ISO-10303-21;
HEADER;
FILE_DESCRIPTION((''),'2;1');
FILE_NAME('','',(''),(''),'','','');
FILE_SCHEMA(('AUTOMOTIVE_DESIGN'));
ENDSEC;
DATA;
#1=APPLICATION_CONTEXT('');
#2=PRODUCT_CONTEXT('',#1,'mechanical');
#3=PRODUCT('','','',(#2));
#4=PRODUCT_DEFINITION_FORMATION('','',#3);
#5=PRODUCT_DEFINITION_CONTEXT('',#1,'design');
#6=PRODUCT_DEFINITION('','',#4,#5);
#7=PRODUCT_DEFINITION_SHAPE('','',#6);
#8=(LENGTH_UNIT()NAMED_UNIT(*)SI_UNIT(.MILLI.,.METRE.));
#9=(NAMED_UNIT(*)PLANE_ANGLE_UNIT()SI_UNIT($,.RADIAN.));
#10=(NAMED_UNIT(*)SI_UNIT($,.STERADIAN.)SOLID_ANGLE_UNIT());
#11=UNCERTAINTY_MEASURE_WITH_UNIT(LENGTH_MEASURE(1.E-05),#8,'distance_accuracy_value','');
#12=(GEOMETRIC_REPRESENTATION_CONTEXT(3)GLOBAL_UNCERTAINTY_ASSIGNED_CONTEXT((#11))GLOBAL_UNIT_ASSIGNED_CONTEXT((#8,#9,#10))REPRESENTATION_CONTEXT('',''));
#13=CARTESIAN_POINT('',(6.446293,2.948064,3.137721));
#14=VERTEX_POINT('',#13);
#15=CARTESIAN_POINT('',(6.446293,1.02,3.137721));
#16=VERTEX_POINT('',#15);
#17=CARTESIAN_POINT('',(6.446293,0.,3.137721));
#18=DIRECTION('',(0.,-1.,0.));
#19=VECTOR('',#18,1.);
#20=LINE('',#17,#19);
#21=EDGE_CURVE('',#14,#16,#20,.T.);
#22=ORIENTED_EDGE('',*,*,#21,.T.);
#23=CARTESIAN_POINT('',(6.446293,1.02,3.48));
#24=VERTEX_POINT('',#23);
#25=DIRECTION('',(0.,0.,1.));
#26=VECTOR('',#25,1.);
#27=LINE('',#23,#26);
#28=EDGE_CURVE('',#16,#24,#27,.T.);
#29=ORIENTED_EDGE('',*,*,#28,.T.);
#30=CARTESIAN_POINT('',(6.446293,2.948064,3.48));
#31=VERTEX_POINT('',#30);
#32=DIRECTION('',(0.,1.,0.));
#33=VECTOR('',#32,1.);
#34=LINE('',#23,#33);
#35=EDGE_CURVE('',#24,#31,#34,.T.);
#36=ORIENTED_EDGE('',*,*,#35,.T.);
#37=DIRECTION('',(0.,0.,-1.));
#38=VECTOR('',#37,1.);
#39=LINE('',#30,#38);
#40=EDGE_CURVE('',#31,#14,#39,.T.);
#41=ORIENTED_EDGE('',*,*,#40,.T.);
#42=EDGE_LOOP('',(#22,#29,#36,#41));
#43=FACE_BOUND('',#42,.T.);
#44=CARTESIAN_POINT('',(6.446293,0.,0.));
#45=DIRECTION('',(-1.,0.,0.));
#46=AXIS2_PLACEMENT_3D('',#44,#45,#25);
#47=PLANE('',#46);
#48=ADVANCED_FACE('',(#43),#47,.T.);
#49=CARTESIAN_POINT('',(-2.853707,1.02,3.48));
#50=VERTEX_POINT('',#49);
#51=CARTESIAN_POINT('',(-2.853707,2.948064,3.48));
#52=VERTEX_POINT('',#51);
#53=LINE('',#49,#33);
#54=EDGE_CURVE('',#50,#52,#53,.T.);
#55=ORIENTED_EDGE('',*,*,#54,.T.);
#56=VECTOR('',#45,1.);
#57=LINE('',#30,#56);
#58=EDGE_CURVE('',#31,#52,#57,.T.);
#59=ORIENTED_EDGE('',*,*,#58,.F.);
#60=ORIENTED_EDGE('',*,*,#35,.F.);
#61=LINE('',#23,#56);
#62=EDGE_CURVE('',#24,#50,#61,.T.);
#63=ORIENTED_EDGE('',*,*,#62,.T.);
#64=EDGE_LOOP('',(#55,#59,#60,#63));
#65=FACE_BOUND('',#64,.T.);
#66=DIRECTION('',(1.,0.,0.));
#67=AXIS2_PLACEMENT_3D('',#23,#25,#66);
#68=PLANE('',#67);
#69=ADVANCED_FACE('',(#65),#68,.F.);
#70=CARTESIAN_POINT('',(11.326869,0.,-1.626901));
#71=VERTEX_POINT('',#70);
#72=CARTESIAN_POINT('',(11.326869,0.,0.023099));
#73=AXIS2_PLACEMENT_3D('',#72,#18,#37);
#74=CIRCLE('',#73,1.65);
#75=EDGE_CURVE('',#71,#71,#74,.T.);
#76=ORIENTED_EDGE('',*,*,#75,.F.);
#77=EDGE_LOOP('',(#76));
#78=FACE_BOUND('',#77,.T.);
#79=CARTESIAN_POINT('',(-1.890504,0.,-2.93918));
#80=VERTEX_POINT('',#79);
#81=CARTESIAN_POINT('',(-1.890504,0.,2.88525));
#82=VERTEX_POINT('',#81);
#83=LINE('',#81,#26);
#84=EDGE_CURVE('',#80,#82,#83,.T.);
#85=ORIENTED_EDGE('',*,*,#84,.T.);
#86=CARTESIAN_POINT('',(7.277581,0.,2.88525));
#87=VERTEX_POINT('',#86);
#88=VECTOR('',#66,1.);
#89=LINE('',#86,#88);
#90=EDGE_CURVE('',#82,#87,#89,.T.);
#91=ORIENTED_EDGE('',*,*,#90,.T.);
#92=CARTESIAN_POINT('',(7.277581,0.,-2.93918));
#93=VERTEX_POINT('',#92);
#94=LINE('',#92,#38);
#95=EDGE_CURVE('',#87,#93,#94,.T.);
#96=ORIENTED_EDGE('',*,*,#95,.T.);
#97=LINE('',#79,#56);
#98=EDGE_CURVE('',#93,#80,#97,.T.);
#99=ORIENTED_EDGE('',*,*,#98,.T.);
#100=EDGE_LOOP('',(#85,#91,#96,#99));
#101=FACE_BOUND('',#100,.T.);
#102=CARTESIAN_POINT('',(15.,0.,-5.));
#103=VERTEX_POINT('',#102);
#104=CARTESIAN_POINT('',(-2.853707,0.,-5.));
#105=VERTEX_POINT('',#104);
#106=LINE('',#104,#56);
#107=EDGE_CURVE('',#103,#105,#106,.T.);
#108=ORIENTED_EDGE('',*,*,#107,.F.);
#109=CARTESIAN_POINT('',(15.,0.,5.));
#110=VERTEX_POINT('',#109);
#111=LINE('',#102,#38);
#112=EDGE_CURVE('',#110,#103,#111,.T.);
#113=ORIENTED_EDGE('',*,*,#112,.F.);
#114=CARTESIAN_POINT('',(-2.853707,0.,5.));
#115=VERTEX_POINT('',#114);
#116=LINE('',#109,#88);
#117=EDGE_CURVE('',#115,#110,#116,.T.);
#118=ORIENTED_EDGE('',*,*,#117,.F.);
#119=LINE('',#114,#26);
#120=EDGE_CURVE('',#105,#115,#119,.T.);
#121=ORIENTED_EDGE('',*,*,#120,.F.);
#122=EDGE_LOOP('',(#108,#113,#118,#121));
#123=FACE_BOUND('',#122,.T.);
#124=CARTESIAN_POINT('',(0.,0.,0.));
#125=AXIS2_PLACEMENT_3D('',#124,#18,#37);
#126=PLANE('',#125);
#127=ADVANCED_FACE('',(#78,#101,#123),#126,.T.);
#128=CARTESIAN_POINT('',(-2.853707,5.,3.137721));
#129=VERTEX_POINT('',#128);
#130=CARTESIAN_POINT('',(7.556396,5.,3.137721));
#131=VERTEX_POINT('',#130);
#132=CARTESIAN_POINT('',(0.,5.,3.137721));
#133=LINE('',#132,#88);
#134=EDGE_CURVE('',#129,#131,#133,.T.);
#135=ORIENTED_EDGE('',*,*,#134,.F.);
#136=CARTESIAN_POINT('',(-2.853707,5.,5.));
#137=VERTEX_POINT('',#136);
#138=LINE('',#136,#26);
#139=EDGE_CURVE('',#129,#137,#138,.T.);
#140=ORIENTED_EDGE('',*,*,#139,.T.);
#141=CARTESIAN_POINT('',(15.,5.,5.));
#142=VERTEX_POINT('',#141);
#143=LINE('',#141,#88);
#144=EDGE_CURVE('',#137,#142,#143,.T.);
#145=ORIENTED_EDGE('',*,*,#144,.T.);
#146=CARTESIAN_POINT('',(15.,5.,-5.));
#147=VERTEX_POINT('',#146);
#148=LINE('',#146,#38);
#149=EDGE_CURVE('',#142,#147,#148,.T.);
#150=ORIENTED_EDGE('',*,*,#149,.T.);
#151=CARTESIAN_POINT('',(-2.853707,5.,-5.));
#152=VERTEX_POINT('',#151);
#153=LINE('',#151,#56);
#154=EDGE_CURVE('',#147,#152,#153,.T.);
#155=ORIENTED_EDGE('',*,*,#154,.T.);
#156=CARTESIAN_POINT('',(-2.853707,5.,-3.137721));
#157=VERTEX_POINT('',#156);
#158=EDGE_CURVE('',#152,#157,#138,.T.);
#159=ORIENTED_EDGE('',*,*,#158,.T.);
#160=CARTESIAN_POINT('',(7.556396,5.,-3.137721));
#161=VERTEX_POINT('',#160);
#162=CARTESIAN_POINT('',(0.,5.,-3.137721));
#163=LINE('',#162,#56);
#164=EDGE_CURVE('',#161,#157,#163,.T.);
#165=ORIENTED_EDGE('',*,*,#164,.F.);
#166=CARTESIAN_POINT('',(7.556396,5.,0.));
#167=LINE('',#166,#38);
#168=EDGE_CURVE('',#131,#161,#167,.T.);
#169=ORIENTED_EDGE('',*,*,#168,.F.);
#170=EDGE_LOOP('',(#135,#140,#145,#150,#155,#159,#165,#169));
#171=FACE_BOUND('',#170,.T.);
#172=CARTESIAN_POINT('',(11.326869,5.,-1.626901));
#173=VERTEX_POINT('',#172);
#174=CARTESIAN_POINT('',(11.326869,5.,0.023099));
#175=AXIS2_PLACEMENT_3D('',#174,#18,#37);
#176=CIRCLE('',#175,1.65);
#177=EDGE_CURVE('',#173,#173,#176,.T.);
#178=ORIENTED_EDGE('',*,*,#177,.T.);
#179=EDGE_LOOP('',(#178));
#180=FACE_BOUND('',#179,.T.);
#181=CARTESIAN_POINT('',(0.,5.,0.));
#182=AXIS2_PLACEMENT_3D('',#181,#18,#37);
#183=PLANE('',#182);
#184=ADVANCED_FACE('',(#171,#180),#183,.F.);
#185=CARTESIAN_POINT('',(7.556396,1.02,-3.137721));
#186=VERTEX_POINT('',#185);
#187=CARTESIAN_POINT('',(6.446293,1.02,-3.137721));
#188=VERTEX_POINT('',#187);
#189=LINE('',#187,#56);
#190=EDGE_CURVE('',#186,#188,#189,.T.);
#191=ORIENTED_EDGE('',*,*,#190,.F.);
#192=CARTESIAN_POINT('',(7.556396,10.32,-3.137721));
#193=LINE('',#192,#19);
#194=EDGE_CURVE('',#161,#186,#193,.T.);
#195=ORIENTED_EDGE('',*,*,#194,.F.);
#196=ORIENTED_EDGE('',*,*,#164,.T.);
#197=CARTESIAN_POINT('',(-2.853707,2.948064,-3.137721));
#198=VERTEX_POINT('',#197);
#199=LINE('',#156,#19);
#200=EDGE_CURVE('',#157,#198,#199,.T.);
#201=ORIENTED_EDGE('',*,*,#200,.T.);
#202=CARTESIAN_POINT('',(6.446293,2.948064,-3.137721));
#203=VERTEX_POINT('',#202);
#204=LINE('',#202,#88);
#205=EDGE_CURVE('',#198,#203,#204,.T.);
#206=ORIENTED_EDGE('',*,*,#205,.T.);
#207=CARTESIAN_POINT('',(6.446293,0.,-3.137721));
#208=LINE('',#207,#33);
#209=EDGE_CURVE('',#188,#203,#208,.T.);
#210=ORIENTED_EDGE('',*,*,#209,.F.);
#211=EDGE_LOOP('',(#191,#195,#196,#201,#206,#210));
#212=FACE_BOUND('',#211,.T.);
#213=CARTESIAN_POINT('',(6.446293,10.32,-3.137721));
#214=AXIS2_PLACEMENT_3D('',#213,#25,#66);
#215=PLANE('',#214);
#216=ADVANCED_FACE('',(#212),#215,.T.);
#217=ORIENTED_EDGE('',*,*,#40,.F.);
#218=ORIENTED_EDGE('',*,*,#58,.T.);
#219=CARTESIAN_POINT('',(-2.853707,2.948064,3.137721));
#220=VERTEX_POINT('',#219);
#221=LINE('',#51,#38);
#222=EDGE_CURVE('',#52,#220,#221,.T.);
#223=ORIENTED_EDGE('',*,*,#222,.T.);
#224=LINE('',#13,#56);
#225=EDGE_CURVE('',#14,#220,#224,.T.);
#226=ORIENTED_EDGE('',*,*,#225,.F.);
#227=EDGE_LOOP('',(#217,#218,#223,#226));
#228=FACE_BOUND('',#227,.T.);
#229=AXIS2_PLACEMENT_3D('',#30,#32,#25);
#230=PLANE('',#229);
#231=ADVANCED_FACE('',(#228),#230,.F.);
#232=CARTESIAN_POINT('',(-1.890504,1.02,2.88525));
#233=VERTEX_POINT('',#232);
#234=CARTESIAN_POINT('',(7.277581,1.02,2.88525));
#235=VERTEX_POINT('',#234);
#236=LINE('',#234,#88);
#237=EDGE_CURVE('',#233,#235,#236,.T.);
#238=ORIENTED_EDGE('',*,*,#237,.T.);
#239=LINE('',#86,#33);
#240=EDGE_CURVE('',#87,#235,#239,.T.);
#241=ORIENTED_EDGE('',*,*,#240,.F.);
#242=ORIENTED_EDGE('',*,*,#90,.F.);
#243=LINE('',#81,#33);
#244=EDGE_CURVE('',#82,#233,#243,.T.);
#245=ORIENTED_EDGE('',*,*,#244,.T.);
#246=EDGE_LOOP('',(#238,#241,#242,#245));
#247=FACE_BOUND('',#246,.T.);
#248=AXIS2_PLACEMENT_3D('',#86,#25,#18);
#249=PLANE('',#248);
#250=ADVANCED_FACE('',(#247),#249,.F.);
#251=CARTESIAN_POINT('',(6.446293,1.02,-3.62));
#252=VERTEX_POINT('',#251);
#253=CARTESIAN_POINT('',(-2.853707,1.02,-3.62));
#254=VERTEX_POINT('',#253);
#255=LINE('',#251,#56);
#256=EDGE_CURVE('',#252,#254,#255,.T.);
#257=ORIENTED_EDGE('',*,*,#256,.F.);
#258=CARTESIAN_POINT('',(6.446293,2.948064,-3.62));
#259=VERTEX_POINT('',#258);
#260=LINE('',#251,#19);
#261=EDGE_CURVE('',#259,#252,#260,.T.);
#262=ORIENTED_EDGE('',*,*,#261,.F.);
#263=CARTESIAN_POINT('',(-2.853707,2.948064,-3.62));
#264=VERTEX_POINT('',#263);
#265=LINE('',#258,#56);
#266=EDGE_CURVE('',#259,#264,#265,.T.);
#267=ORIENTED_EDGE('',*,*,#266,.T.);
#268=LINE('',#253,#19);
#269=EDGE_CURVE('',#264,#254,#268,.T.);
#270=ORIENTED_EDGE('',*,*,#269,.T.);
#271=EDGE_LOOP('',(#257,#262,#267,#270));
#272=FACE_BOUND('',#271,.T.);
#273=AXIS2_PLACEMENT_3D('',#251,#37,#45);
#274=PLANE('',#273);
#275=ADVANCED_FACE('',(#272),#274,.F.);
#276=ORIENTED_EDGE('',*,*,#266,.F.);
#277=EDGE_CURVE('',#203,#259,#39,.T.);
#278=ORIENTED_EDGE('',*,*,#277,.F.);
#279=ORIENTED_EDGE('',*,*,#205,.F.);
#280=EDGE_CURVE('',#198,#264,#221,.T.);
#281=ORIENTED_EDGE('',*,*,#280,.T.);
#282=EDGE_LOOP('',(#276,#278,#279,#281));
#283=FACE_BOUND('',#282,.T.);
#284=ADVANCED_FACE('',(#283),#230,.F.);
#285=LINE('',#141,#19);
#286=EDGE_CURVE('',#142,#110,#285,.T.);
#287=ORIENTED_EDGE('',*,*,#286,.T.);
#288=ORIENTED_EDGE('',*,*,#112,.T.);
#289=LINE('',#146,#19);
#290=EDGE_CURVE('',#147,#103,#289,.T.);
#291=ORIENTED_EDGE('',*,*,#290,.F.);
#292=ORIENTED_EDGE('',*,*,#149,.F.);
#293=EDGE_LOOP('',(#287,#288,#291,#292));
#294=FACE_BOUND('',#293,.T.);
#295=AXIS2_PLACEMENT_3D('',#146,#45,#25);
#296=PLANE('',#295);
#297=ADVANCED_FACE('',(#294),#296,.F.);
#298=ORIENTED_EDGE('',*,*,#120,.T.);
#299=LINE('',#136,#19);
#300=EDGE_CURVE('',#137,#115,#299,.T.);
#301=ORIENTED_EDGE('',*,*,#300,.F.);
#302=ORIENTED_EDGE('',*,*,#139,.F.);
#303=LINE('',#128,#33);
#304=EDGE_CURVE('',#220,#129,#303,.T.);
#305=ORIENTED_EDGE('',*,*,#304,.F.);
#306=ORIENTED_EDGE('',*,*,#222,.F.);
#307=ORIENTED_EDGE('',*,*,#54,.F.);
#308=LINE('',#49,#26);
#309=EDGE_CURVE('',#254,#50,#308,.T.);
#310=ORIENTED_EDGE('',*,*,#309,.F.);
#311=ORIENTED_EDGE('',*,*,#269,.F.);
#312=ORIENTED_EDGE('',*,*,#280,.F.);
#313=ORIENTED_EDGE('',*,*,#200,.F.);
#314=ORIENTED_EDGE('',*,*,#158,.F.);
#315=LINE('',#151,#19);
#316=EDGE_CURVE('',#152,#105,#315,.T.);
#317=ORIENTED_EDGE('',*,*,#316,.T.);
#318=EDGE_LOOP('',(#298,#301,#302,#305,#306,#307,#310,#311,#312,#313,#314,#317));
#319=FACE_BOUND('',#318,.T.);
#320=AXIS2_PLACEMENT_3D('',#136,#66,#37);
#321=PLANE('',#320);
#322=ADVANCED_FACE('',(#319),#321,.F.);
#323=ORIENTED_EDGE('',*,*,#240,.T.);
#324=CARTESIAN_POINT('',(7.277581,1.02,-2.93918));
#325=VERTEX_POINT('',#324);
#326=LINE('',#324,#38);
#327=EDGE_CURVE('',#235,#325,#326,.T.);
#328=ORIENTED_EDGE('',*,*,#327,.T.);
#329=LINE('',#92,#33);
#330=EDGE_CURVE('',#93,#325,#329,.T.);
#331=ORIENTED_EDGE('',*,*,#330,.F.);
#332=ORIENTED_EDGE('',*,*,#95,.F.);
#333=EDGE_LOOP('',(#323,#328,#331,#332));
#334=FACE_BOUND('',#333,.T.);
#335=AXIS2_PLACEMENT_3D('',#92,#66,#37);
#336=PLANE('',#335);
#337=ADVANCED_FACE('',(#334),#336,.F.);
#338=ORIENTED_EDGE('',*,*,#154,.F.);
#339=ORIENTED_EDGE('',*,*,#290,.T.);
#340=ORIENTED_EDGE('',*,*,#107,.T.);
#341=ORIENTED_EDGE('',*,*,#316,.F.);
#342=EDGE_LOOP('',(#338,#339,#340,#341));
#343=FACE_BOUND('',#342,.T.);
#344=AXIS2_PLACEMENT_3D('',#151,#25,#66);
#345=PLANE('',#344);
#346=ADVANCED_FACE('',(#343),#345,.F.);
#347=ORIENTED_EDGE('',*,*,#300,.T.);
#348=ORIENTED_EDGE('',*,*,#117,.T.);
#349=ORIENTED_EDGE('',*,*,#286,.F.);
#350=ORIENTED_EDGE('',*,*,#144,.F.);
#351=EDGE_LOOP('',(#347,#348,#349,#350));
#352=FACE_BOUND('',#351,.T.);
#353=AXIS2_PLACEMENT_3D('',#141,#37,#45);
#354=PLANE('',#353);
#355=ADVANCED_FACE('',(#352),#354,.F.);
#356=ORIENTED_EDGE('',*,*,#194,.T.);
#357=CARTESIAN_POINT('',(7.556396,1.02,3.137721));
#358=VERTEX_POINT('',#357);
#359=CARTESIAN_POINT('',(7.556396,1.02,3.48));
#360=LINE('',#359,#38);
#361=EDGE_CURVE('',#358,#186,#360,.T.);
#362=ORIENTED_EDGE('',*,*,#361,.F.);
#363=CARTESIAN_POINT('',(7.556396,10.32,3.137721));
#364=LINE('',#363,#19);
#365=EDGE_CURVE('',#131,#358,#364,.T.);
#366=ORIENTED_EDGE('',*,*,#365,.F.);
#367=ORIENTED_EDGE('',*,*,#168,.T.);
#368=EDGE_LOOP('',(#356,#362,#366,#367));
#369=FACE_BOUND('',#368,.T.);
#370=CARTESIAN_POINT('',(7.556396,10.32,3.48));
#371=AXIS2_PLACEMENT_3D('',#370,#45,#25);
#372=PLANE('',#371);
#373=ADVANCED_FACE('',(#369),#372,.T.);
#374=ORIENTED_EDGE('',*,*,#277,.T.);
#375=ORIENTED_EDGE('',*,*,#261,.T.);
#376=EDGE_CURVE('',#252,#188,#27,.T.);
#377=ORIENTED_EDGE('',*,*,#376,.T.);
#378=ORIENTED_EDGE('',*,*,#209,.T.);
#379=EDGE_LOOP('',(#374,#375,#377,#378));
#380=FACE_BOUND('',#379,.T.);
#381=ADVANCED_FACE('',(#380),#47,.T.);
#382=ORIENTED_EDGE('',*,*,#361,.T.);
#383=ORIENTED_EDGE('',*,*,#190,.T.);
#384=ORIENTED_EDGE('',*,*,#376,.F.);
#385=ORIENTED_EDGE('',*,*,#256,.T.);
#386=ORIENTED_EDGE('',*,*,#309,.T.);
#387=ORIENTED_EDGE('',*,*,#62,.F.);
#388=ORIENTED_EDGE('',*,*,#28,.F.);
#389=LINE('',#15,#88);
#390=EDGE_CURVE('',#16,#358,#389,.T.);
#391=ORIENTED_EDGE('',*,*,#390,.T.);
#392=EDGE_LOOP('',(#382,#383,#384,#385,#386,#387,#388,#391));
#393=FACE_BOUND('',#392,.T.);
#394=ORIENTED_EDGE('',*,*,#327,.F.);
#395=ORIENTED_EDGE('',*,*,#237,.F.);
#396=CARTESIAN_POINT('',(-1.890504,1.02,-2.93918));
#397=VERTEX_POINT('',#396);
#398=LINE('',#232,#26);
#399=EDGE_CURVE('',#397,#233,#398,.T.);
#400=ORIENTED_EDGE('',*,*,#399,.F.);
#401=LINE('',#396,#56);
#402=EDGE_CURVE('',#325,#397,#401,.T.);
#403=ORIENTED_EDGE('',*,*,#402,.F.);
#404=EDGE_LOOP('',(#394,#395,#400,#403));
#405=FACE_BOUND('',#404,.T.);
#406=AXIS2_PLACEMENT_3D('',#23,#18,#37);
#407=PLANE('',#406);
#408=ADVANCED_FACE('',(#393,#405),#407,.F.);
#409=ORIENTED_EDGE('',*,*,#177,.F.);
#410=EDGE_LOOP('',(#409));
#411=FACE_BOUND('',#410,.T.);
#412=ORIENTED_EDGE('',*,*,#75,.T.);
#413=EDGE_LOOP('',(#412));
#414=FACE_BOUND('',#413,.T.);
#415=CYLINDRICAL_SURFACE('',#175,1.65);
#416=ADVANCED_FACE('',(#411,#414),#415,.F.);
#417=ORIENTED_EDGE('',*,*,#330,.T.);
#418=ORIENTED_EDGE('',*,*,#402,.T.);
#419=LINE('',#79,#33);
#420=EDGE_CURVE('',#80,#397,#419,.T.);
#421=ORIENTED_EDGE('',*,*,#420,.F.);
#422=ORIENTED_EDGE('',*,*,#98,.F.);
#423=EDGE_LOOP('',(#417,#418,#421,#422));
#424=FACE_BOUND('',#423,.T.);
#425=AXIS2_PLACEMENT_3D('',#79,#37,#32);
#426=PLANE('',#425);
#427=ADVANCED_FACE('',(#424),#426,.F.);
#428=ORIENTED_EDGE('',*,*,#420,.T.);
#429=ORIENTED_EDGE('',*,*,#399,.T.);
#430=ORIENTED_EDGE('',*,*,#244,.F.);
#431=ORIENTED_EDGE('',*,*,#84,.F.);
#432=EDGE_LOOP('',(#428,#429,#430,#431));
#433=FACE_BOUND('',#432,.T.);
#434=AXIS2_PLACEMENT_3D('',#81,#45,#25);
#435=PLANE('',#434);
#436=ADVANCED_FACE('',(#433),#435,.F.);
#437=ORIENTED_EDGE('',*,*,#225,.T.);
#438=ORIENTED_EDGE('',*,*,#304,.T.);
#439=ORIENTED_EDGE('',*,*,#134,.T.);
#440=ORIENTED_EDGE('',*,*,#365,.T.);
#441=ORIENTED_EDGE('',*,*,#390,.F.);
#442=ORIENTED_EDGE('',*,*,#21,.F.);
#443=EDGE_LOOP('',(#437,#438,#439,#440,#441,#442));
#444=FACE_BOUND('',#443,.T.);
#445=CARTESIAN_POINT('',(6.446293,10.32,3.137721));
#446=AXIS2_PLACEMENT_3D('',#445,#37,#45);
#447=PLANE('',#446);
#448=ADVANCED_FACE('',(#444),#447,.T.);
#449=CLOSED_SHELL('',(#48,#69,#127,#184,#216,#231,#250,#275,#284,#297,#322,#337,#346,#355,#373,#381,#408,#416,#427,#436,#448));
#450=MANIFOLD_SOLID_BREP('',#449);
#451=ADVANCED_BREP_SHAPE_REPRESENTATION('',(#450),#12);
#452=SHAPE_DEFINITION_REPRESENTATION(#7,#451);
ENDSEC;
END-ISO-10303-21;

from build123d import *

# Parameters (mm, degrees)
SKETCH2_W           = 17.853706718
SKETCH2_H           = 10
BOSS_EXTRUDE2_DEPTH = 5
SKETCH4_W           = 7.1
SKETCH4_H           = 1.928064037
CUT_EXTRUDE1_DEPTH  = 9.3
CUT_EXTRUDE4_START  = 1.02
SKETCH6_W           = 15.11279267
SKETCH6_H           = 6.275441998
CUT_EXTRUDE4_DEPTH  = 9.3
SKETCH7_R           = 1.65
CUT_EXTRUDE7_DEPTH  = 17.583123952
SKETCH9_W           = 9.168085379
SKETCH9_H           = 5.824430712
CUT_EXTRUDE8_DEPTH  = 17.304612844


with BuildPart() as part:
    # Sketch2 → Boss-Extrude2 (new body)
    with BuildSketch(Plane(origin=(0, 0, 0), x_dir=(1, 0, 0), z_dir=(0, 1, 0))):
        with Locations((6.073146641, 0)):
            Rectangle(SKETCH2_W, SKETCH2_H)
    extrude(amount=BOSS_EXTRUDE2_DEPTH)

    # Sketch4 → Cut-Extrude1 (cut)
    with BuildSketch(Plane.ZY.offset(2.853706718)):
        with Locations((-0.07, 1.984032018)):
            Rectangle(SKETCH4_W, SKETCH4_H)
    extrude(amount=-CUT_EXTRUDE1_DEPTH, mode=Mode.SUBTRACT)

    # Sketch6 → Cut-Extrude4 (cut)
    with BuildSketch(Plane(origin=(0, 0, 0), x_dir=(1, 0, 0), z_dir=(0, 1, 0)).offset(CUT_EXTRUDE4_START)):
        Rectangle(SKETCH6_W, SKETCH6_H)
    extrude(amount=CUT_EXTRUDE4_DEPTH, mode=Mode.SUBTRACT)

    # Sketch7 → Cut-Extrude7 (cut, through all)
    with BuildSketch(Plane.XZ):
        with Locations(Location((11.326869327, 0.023099137, 0), (0, 0, 270))):
            Circle(SKETCH7_R)
    extrude(amount=-CUT_EXTRUDE7_DEPTH, mode=Mode.SUBTRACT)

    # Sketch9 → Cut-Extrude8 (cut, through all)
    with BuildSketch(Plane(origin=(0, 1.02, 0), x_dir=(1, 0, 0), z_dir=(0, 1, 0))):
        with Locations((2.693538698, 0.026964957)):
            Rectangle(SKETCH9_W, SKETCH9_H)
    extrude(amount=-CUT_EXTRUDE8_DEPTH, mode=Mode.SUBTRACT)


solid = part.part
